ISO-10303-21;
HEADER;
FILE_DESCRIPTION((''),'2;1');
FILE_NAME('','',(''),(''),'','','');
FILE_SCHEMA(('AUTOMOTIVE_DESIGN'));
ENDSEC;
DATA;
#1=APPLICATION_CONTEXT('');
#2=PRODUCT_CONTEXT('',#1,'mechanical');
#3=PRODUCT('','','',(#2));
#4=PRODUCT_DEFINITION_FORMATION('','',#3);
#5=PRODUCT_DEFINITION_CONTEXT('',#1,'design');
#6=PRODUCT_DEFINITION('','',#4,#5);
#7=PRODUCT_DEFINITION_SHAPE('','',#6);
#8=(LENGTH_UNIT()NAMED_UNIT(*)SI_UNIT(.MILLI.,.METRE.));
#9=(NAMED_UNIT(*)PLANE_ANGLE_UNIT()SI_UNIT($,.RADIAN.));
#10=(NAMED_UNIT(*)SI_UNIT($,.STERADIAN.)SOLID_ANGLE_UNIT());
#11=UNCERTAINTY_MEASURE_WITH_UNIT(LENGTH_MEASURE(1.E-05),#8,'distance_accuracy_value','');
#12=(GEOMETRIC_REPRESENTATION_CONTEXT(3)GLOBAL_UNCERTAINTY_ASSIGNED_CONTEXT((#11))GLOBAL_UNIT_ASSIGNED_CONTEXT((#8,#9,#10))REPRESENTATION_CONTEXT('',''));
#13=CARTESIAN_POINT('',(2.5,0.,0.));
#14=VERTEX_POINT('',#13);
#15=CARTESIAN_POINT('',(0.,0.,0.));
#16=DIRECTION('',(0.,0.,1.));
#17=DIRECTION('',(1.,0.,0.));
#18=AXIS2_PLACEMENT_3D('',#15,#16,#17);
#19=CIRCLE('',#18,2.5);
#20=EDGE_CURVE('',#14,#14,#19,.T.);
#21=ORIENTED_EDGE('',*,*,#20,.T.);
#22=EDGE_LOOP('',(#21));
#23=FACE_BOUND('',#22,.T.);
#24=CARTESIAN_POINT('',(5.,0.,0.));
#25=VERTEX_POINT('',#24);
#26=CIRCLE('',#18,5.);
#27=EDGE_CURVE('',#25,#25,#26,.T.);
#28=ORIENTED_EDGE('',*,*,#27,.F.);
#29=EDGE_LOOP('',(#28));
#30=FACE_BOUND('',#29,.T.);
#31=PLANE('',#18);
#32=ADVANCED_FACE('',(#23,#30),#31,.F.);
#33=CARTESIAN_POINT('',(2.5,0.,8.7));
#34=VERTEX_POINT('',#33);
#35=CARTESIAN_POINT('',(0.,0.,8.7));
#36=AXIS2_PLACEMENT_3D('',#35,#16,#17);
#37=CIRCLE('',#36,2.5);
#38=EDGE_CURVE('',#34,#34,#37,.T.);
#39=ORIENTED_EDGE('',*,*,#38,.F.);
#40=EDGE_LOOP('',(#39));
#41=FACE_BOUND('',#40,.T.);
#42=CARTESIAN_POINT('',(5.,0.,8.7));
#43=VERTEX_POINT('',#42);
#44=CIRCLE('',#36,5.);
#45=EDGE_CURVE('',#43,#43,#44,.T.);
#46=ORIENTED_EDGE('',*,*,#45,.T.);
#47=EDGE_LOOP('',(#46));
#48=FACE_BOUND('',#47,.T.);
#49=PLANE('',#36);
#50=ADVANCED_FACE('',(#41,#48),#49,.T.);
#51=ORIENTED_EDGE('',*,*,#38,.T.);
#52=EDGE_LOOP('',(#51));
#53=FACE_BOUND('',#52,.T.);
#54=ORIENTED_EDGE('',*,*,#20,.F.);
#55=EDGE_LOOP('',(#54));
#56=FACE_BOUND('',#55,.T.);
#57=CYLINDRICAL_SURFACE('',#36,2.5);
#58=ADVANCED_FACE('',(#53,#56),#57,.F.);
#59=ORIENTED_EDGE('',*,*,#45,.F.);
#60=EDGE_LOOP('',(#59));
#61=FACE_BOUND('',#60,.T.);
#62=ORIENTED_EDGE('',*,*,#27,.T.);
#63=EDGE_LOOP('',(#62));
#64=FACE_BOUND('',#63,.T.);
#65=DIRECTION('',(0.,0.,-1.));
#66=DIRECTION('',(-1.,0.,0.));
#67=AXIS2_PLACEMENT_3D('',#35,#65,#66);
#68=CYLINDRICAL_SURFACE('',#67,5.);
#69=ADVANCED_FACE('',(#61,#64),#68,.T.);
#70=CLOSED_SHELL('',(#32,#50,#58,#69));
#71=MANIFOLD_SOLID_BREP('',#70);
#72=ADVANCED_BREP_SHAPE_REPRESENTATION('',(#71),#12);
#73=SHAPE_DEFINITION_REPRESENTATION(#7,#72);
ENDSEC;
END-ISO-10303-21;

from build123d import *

# Parameters (mm, degrees)
SKETCH1_R                 = 5
BOSS_EXTRUDE1_DEPTH       = 8.7
F_5_0MM_DOWEL_HOLE1_D     = 5
F_5_0MM_DOWEL_HOLE1_DEPTH = 8.7


with BuildPart() as part:
    # Sketch1 → Boss-Extrude1 (new body)
    with BuildSketch(Plane.XY):
        Circle(SKETCH1_R)
    extrude(amount=BOSS_EXTRUDE1_DEPTH)

    # Ø5.0mm Dowel Hole1
    with Locations(Plane.XY.offset(8.7)):
        with Locations((0, 0)):
            Hole(F_5_0MM_DOWEL_HOLE1_D / 2, depth=F_5_0MM_DOWEL_HOLE1_DEPTH)


solid = part.part
